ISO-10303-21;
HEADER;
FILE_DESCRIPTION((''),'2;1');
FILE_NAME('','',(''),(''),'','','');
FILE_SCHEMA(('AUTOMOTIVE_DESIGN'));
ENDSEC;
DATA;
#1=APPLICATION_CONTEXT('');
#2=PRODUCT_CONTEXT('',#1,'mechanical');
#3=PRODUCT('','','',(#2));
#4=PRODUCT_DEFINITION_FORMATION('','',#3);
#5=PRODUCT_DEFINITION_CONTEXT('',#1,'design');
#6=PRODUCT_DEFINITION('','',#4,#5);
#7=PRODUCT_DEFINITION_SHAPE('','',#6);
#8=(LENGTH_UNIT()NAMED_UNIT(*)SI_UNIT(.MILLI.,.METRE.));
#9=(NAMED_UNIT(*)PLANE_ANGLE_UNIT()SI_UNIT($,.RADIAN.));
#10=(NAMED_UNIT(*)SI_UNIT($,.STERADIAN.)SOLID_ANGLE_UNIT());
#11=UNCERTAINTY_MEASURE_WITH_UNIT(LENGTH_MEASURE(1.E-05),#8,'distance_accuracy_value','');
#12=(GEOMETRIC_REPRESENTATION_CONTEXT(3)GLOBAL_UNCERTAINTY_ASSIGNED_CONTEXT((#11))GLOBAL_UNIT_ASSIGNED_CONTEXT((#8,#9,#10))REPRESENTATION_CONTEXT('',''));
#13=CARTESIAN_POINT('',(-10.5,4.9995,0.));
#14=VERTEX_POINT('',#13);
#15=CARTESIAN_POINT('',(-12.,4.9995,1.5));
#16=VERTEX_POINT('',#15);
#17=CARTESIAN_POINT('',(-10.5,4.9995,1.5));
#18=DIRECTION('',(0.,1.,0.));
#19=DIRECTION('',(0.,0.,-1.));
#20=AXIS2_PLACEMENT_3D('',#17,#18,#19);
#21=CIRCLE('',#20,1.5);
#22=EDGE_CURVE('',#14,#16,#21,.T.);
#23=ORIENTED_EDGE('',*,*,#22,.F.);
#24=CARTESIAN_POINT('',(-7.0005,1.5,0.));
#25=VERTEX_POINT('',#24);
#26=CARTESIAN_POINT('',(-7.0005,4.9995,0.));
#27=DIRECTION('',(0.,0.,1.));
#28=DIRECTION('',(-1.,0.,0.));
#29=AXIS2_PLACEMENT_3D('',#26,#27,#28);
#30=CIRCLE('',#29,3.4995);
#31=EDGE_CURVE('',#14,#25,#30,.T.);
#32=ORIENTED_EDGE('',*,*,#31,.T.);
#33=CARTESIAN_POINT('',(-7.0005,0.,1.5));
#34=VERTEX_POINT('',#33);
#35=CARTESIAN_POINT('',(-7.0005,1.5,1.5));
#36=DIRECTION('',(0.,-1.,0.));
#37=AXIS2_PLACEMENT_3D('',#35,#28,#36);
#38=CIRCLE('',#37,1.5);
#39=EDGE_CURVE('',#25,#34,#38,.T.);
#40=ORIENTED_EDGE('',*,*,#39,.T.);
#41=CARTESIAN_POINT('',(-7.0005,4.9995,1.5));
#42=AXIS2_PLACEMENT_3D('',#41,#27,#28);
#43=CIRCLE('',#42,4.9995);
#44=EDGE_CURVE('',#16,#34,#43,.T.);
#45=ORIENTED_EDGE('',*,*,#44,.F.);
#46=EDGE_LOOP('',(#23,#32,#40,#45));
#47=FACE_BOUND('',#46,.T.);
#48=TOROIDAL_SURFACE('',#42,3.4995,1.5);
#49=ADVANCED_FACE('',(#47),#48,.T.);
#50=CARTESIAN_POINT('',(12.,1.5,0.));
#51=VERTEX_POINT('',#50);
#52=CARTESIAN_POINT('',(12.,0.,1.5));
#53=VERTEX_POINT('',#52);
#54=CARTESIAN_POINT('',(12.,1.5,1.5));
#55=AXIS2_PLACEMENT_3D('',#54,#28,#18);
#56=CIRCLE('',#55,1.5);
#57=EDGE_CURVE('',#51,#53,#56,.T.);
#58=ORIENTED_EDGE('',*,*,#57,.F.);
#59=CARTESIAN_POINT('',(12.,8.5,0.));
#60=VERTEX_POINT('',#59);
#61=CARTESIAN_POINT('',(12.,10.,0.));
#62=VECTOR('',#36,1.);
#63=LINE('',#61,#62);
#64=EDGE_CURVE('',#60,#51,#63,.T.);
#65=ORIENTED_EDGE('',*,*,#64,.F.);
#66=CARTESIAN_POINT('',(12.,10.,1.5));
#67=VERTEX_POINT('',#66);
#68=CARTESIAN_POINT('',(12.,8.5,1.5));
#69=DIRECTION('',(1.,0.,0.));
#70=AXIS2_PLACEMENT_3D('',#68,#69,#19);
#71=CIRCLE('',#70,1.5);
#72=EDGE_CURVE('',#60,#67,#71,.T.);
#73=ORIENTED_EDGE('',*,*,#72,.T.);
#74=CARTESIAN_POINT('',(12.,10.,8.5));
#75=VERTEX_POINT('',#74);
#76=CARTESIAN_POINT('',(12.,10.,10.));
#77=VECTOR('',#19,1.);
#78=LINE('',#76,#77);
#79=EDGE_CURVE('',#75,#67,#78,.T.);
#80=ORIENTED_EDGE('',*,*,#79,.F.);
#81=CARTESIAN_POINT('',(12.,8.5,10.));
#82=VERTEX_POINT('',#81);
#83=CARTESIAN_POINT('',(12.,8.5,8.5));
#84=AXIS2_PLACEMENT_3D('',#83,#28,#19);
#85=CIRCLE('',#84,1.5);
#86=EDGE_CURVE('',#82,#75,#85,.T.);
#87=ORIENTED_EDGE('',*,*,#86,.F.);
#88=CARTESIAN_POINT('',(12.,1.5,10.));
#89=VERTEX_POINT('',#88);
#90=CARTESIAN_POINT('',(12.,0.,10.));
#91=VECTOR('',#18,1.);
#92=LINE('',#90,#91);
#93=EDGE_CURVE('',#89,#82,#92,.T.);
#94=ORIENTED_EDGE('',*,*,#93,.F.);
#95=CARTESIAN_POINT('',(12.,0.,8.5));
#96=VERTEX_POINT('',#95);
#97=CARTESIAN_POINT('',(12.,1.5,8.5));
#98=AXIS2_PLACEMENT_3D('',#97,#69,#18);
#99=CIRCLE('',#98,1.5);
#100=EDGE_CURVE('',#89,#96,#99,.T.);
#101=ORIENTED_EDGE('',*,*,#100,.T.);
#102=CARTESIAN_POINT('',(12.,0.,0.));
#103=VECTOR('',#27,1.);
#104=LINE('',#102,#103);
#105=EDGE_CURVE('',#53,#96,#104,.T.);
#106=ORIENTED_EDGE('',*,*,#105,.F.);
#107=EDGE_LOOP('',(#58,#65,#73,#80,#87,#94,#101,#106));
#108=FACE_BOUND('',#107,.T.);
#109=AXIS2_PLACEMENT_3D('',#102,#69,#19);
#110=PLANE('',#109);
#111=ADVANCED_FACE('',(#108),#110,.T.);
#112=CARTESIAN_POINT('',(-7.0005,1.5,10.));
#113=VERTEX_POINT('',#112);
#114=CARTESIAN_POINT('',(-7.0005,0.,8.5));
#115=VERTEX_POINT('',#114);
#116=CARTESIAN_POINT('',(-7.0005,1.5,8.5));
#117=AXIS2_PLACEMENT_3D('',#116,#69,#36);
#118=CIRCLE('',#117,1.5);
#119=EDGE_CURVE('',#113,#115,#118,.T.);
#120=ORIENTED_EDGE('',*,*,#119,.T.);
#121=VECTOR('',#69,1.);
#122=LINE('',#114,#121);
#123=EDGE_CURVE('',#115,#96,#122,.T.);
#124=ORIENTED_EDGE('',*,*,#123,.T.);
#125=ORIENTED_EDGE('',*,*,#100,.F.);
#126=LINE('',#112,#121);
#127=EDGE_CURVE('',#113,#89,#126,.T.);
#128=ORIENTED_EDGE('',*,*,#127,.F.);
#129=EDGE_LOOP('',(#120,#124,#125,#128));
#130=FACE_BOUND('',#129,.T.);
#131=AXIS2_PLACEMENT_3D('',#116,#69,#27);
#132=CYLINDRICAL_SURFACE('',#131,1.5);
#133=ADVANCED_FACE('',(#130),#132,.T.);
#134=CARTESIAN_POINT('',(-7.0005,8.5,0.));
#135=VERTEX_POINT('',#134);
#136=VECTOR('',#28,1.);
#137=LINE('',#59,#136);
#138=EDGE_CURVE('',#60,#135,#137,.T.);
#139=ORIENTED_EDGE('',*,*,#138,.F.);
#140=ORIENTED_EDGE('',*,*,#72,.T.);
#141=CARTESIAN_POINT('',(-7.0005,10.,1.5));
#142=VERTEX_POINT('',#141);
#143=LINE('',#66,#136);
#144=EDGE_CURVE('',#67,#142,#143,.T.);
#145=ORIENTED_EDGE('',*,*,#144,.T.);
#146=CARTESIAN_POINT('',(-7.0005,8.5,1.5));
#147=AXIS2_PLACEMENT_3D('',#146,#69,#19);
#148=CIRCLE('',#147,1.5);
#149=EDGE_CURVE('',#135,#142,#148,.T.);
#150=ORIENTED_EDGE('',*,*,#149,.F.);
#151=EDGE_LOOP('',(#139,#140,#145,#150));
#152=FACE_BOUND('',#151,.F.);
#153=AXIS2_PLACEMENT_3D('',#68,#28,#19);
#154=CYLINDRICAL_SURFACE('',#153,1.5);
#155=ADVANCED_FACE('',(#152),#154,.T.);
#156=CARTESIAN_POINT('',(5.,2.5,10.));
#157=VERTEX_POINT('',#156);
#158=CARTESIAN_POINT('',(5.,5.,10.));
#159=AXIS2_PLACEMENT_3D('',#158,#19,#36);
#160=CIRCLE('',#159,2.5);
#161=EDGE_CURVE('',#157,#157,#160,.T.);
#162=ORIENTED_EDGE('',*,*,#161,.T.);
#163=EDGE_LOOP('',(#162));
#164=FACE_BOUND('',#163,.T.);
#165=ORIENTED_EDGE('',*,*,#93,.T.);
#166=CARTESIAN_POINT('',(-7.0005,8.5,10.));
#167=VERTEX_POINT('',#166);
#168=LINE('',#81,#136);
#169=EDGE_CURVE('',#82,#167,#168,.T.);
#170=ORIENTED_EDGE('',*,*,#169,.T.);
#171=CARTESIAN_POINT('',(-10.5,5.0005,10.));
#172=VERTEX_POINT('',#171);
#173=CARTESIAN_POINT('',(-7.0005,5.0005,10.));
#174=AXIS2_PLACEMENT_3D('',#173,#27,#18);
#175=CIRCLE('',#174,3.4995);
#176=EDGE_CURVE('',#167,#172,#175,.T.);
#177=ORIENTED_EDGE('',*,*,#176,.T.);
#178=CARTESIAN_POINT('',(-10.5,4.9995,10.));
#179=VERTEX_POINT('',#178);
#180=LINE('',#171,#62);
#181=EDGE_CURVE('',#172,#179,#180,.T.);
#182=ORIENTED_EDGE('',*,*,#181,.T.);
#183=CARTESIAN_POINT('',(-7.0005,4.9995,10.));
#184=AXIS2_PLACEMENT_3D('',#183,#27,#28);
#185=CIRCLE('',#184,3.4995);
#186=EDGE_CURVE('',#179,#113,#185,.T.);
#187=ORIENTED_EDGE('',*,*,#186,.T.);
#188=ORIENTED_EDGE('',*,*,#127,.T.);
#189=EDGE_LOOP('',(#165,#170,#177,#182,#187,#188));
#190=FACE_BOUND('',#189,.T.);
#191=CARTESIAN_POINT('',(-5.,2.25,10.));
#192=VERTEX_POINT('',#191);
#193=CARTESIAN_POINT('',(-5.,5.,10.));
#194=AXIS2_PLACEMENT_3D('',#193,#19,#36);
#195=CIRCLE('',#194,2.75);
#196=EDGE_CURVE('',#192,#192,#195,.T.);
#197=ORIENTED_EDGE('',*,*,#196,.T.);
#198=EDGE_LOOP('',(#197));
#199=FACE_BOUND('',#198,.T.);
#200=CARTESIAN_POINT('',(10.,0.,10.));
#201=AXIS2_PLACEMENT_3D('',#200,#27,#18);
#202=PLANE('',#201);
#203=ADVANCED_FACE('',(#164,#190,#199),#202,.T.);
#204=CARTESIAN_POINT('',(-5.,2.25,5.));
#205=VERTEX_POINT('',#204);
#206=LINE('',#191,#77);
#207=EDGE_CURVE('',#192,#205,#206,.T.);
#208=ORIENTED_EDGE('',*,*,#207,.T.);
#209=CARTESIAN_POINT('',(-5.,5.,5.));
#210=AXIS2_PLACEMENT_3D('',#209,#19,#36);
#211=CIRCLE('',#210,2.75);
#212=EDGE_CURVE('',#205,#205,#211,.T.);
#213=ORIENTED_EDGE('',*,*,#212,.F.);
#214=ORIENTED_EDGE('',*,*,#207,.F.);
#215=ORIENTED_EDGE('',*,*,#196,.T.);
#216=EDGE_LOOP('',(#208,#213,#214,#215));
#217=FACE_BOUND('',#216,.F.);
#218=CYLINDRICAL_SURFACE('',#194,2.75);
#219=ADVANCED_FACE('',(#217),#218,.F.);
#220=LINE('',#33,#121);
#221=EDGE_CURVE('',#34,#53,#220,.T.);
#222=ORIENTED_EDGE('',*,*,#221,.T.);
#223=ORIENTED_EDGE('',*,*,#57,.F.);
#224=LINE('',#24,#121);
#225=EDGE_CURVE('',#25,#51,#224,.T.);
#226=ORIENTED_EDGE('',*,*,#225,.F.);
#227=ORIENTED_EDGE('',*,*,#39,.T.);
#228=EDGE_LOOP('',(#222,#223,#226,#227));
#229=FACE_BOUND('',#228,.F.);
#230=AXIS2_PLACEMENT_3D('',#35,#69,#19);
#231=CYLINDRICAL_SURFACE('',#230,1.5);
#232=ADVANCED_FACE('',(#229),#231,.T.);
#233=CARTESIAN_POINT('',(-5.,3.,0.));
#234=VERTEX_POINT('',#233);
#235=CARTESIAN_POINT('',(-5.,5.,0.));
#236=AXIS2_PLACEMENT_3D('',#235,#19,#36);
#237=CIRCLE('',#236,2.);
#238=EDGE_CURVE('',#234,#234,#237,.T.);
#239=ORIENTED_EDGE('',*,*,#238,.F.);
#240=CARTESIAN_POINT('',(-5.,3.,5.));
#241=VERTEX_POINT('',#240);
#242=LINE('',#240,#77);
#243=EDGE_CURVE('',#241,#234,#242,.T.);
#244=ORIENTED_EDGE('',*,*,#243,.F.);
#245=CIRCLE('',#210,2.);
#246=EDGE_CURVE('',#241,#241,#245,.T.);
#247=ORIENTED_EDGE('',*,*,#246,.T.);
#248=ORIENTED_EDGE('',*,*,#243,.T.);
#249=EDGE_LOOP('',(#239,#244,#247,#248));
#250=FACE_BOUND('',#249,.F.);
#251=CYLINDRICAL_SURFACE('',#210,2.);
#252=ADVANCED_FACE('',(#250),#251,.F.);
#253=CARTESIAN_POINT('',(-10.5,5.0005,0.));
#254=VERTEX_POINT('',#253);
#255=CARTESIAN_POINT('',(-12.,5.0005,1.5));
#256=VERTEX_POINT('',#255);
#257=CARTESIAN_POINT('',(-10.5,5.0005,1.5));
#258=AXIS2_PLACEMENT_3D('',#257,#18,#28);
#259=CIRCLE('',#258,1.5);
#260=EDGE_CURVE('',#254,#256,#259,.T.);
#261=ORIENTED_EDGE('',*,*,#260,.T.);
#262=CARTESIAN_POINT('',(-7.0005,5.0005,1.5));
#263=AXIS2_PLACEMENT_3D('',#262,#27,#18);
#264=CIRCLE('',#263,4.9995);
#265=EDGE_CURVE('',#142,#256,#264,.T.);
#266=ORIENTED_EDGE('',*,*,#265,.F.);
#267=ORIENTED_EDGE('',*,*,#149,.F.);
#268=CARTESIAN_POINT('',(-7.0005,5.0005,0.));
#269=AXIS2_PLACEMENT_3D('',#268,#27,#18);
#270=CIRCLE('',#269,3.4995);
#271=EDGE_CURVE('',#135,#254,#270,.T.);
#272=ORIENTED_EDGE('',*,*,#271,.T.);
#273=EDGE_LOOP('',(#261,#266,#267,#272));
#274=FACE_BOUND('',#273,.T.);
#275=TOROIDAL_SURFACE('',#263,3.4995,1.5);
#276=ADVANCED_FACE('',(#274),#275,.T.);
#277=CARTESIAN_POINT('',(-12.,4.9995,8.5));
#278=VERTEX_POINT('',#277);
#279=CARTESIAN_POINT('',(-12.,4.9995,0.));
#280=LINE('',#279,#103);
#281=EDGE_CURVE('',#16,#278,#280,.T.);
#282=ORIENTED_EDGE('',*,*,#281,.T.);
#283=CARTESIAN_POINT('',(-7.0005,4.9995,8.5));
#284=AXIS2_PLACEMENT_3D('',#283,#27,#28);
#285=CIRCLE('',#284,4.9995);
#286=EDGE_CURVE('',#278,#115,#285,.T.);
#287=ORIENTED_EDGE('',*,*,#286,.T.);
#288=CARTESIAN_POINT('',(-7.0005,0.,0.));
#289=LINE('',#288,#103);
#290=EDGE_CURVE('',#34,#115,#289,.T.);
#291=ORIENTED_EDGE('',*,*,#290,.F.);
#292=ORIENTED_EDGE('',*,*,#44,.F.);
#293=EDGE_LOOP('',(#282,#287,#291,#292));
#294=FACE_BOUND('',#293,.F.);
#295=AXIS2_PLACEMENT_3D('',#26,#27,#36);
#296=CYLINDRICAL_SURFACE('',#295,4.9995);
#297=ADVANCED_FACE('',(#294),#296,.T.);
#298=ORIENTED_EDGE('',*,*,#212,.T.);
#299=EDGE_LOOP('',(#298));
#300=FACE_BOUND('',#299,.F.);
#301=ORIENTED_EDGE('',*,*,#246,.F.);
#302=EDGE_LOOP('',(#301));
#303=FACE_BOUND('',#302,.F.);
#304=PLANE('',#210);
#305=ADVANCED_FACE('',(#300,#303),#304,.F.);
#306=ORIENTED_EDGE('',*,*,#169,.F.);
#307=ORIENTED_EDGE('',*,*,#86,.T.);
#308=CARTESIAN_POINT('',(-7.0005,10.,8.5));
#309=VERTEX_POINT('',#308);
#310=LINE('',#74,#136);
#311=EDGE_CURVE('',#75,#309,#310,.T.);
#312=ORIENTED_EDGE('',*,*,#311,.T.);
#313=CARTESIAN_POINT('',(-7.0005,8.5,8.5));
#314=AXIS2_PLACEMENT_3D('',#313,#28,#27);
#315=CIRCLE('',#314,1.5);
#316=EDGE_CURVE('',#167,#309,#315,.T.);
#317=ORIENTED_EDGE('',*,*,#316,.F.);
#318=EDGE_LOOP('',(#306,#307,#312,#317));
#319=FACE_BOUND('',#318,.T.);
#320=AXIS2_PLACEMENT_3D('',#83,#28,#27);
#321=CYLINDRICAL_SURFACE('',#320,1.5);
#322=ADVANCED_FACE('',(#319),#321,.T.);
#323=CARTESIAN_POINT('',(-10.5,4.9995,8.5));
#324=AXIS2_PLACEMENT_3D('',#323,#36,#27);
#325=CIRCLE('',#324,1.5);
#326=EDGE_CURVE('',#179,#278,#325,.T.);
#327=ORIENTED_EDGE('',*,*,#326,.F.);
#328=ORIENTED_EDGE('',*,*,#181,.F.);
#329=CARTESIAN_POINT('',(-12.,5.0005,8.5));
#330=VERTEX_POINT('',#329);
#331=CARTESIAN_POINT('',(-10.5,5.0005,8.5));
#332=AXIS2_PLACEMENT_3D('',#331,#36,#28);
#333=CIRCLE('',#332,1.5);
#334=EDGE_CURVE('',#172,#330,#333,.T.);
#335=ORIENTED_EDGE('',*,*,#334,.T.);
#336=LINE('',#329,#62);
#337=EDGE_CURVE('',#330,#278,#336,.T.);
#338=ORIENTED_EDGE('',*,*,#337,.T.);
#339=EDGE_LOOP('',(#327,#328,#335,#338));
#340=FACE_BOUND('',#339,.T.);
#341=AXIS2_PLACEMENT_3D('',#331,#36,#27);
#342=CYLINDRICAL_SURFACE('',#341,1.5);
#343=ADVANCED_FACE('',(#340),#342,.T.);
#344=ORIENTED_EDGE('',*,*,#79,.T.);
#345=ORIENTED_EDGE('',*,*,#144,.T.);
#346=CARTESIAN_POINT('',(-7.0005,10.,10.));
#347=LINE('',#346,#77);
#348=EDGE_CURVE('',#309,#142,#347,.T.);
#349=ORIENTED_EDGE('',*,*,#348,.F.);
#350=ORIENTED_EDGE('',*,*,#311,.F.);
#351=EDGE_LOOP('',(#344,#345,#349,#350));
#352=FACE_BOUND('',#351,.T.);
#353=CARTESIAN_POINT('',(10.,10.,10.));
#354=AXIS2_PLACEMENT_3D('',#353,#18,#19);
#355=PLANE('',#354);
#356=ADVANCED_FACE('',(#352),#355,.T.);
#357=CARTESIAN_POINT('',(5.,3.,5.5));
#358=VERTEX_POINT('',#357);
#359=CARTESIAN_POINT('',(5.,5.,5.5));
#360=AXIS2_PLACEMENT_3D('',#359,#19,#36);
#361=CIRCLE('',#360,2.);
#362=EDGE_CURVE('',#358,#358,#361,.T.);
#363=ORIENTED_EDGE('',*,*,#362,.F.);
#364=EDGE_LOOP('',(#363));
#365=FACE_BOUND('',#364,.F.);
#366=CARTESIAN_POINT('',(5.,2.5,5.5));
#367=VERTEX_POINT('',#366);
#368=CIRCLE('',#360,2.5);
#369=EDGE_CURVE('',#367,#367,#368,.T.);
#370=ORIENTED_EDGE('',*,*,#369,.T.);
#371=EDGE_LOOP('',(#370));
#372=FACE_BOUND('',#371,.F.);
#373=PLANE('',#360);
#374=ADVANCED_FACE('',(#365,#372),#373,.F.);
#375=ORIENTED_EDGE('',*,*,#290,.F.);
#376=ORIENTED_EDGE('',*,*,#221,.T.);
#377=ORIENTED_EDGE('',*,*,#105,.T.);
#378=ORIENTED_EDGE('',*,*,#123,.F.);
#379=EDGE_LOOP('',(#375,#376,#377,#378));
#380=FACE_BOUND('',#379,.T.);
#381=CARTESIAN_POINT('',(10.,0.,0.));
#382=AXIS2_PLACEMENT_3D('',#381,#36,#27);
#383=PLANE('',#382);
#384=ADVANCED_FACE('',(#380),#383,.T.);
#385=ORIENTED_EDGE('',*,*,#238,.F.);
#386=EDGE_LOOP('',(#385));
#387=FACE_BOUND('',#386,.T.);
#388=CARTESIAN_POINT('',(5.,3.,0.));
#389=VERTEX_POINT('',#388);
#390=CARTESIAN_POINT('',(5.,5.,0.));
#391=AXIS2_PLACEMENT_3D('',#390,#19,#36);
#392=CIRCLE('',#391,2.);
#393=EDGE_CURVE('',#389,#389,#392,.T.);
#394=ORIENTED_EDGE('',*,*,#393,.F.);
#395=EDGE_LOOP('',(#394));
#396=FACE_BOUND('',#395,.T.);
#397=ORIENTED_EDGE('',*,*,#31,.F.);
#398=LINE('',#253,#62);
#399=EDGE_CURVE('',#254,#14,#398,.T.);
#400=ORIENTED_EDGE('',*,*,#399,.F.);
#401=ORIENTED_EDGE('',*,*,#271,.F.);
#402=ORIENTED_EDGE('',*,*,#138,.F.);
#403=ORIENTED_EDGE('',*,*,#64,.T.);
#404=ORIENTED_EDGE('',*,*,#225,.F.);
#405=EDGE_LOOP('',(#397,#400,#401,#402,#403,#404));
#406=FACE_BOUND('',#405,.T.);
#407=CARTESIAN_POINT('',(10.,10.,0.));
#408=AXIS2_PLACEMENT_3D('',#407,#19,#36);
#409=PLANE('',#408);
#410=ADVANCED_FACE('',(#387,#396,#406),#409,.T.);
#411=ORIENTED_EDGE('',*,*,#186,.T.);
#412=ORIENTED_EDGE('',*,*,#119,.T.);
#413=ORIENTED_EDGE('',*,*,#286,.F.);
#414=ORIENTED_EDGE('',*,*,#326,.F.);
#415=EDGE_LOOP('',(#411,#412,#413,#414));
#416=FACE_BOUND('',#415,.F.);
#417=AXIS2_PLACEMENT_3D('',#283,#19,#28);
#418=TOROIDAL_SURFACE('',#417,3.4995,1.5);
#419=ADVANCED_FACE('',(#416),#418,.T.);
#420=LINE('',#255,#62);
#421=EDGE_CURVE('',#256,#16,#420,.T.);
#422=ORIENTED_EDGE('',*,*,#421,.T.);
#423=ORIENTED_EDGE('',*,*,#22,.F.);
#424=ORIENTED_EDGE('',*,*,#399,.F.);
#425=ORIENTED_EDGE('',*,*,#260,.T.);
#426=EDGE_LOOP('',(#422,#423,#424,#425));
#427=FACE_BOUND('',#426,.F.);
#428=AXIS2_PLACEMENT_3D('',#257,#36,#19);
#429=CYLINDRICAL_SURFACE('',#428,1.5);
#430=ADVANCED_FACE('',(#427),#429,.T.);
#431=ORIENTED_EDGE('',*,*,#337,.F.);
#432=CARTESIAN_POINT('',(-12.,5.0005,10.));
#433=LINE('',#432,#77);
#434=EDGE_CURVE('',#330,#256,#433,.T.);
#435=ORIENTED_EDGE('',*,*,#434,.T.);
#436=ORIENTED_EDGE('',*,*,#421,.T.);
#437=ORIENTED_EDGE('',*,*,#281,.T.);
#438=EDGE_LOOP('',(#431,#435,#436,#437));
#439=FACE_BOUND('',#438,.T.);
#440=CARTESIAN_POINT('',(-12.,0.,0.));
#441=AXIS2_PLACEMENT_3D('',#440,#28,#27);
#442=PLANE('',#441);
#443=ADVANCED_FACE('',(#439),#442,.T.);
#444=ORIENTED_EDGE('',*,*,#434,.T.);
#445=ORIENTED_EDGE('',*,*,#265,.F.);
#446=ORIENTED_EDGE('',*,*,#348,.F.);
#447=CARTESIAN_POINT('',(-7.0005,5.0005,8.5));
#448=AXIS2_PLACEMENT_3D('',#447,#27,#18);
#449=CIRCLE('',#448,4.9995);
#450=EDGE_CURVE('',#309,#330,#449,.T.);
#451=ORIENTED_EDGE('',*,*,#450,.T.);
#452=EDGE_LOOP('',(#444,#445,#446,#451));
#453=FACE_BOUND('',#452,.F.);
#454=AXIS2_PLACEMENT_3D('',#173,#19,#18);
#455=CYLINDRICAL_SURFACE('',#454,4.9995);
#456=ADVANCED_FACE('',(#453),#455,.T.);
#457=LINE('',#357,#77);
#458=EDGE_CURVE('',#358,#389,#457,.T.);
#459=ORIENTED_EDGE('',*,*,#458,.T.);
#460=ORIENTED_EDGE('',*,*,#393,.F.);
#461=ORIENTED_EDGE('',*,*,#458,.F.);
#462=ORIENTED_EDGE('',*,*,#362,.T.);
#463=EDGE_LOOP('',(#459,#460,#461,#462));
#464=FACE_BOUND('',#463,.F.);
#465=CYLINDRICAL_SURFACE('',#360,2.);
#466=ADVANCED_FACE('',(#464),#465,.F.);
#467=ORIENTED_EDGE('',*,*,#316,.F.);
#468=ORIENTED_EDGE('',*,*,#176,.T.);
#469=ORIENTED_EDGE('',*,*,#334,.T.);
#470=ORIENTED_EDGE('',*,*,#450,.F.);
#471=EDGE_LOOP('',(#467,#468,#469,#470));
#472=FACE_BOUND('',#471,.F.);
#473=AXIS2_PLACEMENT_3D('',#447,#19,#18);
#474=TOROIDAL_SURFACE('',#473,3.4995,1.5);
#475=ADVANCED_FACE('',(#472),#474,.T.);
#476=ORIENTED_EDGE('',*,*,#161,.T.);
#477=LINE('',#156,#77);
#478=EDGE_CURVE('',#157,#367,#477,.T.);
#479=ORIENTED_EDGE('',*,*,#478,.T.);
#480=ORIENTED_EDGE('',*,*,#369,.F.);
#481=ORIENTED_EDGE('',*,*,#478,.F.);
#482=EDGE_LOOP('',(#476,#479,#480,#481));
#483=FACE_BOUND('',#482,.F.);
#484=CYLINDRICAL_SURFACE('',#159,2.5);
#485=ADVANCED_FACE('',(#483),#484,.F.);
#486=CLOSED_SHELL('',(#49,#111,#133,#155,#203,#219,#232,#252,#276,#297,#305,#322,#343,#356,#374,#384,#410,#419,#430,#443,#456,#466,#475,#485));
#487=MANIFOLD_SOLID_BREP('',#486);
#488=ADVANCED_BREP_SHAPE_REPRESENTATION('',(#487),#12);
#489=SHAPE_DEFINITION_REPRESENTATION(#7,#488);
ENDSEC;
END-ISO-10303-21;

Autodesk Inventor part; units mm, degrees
ref_plane "YZ Plane" through (0, 0, 0) normal (1, 0, 0) x (0, 1, 0)
ref_plane "XZ Plane" through (0, 0, 0) normal (0, 1, 0) x (-1, 0, 0)
ref_plane "XY Plane" through (0, 0, 0) normal (0, 0, 1) x (1, 0, 0)
sketch "Sketch8" plane through (0, 0, 0) normal (0, 0, 1) x (1, 0, 0)
  line L0 (0, 0) -> (-10, 0)
  line L1 (-10, 0) -> (-10, 10)
  line L2 (-10, 10) -> (0, 10)
  line L3 (0, 10) -> (0, 0)
  dimension "d38" = 10
  dimension "d39" = 10
extrude "Extrusion5" add sketch "Sketch8" along normal blind 10
sketch "Sketch9" plane through (0, 0, 10) normal (0, 0, 1) x (1, 0, 0)
  point P0 (0, 0)
  point P1 (-5, 5)
hole "Hole3" at (-5, 5, 10) direction (0, 0, -1) diameter 4 depth 10 counterbore diameter 5.5 counterbore depth 5
sketch "Sketch14" plane through (-10, 0, 0) normal (-1, 0, 0) x (0, 0, 1)
  line L0 (0, 0) -> (10, 0)
  line L1 (10, 0) -> (10, 10)
  line L2 (10, 10) -> (0, 10)
  line L3 (0, 10) -> (0, 0)
  dimension "d71" = 10
  dimension "d72" = 10
extrude "Extrusion9" add sketch "Sketch14" along normal blind 2
fillet "Fillet1" radius 5 2 edges at (-12, 10, 5) (-12, 0, 5)
sketch "Sketch15" plane through (0, 0, 0) normal (1, 0, 0) x (0, 0, -1)
  line L0 (-10, 0) -> (-10, 10) projected
  line L1 (0, 0) -> (-10, 0)
  line L2 (-10, 0) -> (-10, 10)
  line L3 (-10, 10) -> (0, 10)
  line L4 (0, 10) -> (0, 0)
  dimension "d76" = 10
  dimension "d77" = 10
extrude "Extrusion10" add sketch "Sketch15" along normal blind 10
sketch "Sketch16" plane through (0, 0, 10) normal (0, 0, 1) x (1, 0, 0)
  point P0 (0, 0)
  point P1 (5, 5)
hole "Hole5" at (5, 5, 10) direction (0, 0, -1) diameter 4 depth 10 counterbore diameter 5 counterbore depth 4.5
sketch "Sketch17" plane through (10, 0, 0) normal (1, 0, 0) x (0, 0, -1)
  line L0 (0, 0) -> (-10, 0)
  line L1 (-10, 0) -> (-10, 10)
  line L2 (-10, 10) -> (0, 10)
  line L3 (0, 10) -> (0, 0)
  dimension "d87" = 10
  dimension "d88" = 10
extrude "Extrusion11" add sketch "Sketch17" along normal blind 2
fillet "Fillet2" radius 1.5 6 edges at (-10.5357, 8.5357, 10) (2.4997, 0, 10) (2.4998, 10, 10) (-10.5357, 8.5357, 0) (2.4997, 0, 0) (2.4998, 10, 0)
properties part number "Hole_TestFits"
